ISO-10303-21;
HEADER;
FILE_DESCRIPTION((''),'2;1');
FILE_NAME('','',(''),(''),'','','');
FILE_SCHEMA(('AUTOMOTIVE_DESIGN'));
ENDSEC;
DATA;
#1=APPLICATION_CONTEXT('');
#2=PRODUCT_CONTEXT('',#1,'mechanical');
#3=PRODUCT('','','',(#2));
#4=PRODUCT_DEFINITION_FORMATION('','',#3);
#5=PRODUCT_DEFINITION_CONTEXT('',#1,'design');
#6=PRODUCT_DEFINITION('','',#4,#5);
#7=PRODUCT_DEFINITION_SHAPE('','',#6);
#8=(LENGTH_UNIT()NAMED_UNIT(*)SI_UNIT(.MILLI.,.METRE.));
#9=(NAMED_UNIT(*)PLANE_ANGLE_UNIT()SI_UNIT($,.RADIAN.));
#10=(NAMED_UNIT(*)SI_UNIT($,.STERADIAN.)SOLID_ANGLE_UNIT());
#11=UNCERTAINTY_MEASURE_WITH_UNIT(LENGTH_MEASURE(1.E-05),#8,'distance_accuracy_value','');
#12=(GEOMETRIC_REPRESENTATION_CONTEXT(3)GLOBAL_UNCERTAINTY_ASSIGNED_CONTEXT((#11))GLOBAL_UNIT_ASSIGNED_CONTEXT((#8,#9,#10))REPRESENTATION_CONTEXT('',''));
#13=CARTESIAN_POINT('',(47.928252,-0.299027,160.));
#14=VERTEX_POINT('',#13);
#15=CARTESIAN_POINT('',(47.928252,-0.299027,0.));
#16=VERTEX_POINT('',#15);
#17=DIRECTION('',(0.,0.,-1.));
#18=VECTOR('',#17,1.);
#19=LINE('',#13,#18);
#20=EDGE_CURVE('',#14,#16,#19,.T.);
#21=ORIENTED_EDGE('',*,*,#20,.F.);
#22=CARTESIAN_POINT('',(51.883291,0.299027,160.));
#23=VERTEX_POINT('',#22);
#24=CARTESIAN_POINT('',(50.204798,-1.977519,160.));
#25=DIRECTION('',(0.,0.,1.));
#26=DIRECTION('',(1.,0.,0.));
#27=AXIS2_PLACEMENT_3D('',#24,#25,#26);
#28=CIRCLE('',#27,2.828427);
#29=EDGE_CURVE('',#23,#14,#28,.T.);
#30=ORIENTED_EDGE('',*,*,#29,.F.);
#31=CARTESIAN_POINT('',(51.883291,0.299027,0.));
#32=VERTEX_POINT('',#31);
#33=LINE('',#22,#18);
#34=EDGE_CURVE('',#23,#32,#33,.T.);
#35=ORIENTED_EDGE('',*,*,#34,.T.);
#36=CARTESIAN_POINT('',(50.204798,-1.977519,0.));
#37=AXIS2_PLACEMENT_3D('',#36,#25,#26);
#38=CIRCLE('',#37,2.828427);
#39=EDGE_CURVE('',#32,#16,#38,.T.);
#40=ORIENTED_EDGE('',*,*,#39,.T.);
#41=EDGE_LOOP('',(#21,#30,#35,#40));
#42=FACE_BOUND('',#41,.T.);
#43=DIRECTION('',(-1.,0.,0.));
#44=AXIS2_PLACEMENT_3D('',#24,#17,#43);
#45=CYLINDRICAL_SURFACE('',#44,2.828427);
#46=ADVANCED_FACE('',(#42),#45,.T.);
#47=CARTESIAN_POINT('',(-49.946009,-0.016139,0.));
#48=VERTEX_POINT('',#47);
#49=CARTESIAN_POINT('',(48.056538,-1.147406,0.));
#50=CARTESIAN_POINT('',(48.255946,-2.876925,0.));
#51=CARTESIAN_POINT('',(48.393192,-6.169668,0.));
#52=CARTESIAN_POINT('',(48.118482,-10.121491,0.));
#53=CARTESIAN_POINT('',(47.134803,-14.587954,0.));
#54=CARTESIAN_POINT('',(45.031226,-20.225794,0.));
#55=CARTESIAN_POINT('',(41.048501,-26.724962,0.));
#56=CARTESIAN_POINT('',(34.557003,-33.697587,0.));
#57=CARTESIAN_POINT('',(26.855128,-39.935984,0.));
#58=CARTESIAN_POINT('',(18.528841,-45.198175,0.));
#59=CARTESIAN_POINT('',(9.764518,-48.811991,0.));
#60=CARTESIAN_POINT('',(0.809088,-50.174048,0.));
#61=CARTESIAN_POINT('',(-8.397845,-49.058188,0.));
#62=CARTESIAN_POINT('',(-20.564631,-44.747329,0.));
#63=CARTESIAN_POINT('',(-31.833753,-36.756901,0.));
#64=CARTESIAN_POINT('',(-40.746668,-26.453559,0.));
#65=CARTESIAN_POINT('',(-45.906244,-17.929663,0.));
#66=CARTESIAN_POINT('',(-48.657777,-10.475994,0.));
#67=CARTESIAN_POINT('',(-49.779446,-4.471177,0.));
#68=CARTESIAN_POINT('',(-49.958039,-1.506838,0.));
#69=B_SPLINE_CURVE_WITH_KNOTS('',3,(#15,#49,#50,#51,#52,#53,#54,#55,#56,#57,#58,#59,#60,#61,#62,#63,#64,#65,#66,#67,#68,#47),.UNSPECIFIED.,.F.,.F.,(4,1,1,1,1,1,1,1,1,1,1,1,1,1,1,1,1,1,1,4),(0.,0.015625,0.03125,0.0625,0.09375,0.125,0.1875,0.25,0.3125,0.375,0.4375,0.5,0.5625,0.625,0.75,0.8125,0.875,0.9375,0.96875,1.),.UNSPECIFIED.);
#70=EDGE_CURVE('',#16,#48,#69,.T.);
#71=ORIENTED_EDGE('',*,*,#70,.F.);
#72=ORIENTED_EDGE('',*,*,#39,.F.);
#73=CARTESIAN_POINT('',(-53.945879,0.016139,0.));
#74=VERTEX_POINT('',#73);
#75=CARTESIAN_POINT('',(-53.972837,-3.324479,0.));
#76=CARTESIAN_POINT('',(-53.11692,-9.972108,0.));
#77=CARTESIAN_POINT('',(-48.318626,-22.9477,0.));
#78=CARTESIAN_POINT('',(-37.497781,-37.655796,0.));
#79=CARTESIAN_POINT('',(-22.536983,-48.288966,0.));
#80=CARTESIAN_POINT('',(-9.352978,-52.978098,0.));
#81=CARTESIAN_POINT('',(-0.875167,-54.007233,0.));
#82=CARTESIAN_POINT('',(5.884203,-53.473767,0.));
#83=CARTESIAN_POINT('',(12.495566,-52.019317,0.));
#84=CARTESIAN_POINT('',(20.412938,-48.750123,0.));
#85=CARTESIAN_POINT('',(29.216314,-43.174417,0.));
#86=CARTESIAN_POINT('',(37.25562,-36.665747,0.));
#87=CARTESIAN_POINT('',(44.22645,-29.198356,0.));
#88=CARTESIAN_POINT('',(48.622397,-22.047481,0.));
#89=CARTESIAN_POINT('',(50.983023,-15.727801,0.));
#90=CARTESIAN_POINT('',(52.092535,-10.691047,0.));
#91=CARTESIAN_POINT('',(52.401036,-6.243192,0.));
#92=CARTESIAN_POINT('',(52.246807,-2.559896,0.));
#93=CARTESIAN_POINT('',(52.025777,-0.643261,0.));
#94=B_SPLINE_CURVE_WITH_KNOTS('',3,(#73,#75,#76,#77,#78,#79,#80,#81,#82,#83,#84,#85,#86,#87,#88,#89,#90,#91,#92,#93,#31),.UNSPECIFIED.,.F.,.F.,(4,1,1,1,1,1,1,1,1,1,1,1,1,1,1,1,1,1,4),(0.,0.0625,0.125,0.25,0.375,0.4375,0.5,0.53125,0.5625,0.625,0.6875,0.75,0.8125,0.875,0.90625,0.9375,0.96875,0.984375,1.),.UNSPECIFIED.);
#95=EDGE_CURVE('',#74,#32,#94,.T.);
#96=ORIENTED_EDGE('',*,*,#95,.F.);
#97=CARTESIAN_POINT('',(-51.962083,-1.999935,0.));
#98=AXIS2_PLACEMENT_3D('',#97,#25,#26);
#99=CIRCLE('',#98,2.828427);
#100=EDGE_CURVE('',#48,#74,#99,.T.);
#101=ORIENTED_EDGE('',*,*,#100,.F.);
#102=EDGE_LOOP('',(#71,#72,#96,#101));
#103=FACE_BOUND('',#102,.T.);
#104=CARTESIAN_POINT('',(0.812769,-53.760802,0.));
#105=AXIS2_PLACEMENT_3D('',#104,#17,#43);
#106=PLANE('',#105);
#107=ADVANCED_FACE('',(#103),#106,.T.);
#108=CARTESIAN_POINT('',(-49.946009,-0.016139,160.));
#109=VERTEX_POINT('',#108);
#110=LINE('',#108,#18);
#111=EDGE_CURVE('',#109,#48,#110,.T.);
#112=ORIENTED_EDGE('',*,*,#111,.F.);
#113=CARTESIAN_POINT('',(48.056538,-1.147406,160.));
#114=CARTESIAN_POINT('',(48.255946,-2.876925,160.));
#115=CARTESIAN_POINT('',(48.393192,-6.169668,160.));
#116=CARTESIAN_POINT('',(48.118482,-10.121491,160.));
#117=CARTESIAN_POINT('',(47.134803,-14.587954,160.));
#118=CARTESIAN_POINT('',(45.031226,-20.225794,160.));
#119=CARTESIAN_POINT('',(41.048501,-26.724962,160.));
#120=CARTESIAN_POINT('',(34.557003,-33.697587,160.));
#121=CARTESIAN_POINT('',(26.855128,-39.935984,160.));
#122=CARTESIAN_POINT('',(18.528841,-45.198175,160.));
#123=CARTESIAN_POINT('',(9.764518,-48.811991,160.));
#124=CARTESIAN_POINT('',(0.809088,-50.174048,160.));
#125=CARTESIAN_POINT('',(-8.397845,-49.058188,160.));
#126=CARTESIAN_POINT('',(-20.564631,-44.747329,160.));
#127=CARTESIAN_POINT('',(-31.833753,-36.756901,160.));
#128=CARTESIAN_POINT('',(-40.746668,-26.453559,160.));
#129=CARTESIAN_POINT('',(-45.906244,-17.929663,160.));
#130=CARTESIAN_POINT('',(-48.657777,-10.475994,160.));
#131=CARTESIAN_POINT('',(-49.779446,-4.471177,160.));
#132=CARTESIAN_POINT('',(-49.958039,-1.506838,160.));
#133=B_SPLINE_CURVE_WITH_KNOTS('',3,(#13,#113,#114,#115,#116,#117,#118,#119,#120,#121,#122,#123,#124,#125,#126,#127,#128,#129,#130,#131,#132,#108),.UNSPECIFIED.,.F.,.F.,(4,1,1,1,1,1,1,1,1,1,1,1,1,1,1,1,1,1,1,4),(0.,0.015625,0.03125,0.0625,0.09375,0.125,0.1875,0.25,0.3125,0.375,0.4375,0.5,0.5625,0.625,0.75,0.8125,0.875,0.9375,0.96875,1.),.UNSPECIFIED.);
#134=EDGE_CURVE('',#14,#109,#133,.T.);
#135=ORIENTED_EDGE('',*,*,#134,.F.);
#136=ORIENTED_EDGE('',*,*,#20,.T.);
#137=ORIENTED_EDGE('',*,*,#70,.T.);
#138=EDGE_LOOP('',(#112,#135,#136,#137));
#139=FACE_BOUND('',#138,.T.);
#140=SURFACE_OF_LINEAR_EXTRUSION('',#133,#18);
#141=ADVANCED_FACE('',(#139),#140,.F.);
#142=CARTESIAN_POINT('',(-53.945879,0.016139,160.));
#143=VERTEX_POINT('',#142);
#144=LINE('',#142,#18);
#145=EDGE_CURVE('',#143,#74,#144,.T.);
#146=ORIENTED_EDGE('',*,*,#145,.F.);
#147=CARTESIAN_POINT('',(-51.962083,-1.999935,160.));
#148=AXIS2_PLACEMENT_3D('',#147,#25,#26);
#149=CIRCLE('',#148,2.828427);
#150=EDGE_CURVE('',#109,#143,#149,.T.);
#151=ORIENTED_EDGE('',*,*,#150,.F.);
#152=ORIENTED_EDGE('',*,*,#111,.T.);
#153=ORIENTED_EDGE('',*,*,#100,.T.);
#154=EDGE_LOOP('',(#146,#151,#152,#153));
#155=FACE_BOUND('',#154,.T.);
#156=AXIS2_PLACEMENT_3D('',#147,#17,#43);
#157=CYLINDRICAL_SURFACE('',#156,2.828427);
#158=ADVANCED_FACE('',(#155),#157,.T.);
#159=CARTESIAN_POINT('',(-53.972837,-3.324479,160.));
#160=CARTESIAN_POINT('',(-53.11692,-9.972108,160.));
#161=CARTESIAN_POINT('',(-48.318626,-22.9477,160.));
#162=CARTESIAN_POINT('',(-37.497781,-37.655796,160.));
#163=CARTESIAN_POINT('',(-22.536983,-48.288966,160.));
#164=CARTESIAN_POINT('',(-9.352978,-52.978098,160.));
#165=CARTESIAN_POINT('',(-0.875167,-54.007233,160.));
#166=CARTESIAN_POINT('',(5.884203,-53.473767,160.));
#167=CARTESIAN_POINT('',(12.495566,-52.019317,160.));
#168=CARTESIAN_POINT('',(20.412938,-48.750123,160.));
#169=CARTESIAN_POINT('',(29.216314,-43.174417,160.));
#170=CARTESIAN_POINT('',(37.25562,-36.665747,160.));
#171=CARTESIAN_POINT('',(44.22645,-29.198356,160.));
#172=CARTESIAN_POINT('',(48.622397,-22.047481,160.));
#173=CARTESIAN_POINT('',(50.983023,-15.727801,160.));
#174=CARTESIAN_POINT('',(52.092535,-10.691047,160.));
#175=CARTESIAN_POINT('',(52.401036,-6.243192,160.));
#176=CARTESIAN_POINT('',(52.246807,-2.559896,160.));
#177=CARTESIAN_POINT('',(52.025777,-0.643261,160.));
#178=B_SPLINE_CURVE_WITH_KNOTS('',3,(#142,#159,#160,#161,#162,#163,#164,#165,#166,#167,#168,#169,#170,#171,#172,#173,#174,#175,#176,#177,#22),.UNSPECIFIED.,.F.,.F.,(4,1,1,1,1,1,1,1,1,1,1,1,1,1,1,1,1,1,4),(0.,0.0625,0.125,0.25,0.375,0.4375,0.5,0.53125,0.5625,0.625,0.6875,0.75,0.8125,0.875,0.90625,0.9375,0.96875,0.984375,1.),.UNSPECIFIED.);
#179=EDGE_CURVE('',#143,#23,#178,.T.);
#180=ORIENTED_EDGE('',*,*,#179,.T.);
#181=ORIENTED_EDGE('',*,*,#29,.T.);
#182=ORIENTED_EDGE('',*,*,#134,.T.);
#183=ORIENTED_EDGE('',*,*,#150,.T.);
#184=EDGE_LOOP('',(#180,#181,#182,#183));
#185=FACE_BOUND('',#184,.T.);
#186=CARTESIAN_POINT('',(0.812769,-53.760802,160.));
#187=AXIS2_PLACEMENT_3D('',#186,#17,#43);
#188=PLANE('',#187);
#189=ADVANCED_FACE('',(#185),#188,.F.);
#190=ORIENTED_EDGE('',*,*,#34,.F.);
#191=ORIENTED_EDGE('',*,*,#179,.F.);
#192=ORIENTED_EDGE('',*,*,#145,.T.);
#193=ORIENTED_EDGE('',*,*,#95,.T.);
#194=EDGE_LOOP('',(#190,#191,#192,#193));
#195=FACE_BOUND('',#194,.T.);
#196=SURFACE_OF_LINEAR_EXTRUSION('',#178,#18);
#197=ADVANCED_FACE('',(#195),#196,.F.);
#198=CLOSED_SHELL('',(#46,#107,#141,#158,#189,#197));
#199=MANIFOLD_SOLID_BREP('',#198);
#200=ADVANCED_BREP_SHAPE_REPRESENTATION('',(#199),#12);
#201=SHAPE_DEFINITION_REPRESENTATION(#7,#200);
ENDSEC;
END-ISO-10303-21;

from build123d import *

# Parameters (mm, degrees)
BOSS_EXTRUDE1_DEPTH = 160


with BuildPart() as part:
    # Sketch1 → Boss-Extrude1 (new body)
    with BuildSketch(Plane.XY):
        with BuildLine():
            ThreePointArc((51.883290663, 0.299026981), (49.78191026, 0.819115344), (47.92825192, -0.299026981))
            add(Edge.make_bspline(
                [(47.92825192, -0.299026981), (48.056538033, -1.147406195), (48.255945865, -2.876925062), (48.393192087, -6.169668044), (48.118481917, -10.121491486), (47.134803167, -14.587954196), (45.031225662, -20.225794275), (41.048500658, -26.724961913), (34.557003303, -33.697587008), (26.855127526, -39.93598432), (18.528840904, -45.198175496), (9.7645181, -48.81199135), (0.809088458, -50.174047714), (-8.397845425, -49.058187868), (-20.564631211, -44.747329302), (-31.833752834, -36.75690054), (-40.746667664, -26.453558878), (-45.90624389, -17.929662792), (-48.657777136, -10.475994006), (-49.779445791, -4.471176946), (-49.95803907, -1.50683841), (-49.946009449, -0.016139041)],
                knots=[0, 0, 0, 0, 0.015625, 0.03125, 0.0625, 0.09375, 0.125, 0.1875, 0.25, 0.3125, 0.375, 0.4375, 0.5, 0.5625, 0.625, 0.75, 0.8125, 0.875, 0.9375, 0.96875, 1, 1, 1, 1], degree=3))
            ThreePointArc((-49.946009449, -0.016139041), (-51.939259322, 0.828400152), (-53.945879213, 0.016139041))
            add(Edge.make_bspline(
                [(-53.945879213, 0.016139041), (-53.972837277, -3.324479169), (-53.116919739, -9.97210814), (-48.318625741, -22.947699973), (-37.497781095, -37.65579608), (-22.536982732, -48.288965805), (-9.352978205, -52.978097527), (-0.87516708, -54.007232689), (5.884203443, -53.473766976), (12.495566089, -52.019317377), (20.412937664, -48.750122664), (29.216313832, -43.174417359), (37.255619912, -36.665746685), (44.226449634, -29.198356461), (48.622397109, -22.047480961), (50.983022757, -15.72780127), (52.092534992, -10.691047031), (52.401036315, -6.243191766), (52.246806921, -2.559895584), (52.025777011, -0.643260947), (51.883290663, 0.299026981)],
                knots=[0, 0, 0, 0, 0.0625, 0.125, 0.25, 0.375, 0.4375, 0.5, 0.53125, 0.5625, 0.625, 0.6875, 0.75, 0.8125, 0.875, 0.90625, 0.9375, 0.96875, 0.984375, 1, 1, 1, 1], degree=3))
        make_face()
    extrude(amount=BOSS_EXTRUDE1_DEPTH)


solid = part.part
